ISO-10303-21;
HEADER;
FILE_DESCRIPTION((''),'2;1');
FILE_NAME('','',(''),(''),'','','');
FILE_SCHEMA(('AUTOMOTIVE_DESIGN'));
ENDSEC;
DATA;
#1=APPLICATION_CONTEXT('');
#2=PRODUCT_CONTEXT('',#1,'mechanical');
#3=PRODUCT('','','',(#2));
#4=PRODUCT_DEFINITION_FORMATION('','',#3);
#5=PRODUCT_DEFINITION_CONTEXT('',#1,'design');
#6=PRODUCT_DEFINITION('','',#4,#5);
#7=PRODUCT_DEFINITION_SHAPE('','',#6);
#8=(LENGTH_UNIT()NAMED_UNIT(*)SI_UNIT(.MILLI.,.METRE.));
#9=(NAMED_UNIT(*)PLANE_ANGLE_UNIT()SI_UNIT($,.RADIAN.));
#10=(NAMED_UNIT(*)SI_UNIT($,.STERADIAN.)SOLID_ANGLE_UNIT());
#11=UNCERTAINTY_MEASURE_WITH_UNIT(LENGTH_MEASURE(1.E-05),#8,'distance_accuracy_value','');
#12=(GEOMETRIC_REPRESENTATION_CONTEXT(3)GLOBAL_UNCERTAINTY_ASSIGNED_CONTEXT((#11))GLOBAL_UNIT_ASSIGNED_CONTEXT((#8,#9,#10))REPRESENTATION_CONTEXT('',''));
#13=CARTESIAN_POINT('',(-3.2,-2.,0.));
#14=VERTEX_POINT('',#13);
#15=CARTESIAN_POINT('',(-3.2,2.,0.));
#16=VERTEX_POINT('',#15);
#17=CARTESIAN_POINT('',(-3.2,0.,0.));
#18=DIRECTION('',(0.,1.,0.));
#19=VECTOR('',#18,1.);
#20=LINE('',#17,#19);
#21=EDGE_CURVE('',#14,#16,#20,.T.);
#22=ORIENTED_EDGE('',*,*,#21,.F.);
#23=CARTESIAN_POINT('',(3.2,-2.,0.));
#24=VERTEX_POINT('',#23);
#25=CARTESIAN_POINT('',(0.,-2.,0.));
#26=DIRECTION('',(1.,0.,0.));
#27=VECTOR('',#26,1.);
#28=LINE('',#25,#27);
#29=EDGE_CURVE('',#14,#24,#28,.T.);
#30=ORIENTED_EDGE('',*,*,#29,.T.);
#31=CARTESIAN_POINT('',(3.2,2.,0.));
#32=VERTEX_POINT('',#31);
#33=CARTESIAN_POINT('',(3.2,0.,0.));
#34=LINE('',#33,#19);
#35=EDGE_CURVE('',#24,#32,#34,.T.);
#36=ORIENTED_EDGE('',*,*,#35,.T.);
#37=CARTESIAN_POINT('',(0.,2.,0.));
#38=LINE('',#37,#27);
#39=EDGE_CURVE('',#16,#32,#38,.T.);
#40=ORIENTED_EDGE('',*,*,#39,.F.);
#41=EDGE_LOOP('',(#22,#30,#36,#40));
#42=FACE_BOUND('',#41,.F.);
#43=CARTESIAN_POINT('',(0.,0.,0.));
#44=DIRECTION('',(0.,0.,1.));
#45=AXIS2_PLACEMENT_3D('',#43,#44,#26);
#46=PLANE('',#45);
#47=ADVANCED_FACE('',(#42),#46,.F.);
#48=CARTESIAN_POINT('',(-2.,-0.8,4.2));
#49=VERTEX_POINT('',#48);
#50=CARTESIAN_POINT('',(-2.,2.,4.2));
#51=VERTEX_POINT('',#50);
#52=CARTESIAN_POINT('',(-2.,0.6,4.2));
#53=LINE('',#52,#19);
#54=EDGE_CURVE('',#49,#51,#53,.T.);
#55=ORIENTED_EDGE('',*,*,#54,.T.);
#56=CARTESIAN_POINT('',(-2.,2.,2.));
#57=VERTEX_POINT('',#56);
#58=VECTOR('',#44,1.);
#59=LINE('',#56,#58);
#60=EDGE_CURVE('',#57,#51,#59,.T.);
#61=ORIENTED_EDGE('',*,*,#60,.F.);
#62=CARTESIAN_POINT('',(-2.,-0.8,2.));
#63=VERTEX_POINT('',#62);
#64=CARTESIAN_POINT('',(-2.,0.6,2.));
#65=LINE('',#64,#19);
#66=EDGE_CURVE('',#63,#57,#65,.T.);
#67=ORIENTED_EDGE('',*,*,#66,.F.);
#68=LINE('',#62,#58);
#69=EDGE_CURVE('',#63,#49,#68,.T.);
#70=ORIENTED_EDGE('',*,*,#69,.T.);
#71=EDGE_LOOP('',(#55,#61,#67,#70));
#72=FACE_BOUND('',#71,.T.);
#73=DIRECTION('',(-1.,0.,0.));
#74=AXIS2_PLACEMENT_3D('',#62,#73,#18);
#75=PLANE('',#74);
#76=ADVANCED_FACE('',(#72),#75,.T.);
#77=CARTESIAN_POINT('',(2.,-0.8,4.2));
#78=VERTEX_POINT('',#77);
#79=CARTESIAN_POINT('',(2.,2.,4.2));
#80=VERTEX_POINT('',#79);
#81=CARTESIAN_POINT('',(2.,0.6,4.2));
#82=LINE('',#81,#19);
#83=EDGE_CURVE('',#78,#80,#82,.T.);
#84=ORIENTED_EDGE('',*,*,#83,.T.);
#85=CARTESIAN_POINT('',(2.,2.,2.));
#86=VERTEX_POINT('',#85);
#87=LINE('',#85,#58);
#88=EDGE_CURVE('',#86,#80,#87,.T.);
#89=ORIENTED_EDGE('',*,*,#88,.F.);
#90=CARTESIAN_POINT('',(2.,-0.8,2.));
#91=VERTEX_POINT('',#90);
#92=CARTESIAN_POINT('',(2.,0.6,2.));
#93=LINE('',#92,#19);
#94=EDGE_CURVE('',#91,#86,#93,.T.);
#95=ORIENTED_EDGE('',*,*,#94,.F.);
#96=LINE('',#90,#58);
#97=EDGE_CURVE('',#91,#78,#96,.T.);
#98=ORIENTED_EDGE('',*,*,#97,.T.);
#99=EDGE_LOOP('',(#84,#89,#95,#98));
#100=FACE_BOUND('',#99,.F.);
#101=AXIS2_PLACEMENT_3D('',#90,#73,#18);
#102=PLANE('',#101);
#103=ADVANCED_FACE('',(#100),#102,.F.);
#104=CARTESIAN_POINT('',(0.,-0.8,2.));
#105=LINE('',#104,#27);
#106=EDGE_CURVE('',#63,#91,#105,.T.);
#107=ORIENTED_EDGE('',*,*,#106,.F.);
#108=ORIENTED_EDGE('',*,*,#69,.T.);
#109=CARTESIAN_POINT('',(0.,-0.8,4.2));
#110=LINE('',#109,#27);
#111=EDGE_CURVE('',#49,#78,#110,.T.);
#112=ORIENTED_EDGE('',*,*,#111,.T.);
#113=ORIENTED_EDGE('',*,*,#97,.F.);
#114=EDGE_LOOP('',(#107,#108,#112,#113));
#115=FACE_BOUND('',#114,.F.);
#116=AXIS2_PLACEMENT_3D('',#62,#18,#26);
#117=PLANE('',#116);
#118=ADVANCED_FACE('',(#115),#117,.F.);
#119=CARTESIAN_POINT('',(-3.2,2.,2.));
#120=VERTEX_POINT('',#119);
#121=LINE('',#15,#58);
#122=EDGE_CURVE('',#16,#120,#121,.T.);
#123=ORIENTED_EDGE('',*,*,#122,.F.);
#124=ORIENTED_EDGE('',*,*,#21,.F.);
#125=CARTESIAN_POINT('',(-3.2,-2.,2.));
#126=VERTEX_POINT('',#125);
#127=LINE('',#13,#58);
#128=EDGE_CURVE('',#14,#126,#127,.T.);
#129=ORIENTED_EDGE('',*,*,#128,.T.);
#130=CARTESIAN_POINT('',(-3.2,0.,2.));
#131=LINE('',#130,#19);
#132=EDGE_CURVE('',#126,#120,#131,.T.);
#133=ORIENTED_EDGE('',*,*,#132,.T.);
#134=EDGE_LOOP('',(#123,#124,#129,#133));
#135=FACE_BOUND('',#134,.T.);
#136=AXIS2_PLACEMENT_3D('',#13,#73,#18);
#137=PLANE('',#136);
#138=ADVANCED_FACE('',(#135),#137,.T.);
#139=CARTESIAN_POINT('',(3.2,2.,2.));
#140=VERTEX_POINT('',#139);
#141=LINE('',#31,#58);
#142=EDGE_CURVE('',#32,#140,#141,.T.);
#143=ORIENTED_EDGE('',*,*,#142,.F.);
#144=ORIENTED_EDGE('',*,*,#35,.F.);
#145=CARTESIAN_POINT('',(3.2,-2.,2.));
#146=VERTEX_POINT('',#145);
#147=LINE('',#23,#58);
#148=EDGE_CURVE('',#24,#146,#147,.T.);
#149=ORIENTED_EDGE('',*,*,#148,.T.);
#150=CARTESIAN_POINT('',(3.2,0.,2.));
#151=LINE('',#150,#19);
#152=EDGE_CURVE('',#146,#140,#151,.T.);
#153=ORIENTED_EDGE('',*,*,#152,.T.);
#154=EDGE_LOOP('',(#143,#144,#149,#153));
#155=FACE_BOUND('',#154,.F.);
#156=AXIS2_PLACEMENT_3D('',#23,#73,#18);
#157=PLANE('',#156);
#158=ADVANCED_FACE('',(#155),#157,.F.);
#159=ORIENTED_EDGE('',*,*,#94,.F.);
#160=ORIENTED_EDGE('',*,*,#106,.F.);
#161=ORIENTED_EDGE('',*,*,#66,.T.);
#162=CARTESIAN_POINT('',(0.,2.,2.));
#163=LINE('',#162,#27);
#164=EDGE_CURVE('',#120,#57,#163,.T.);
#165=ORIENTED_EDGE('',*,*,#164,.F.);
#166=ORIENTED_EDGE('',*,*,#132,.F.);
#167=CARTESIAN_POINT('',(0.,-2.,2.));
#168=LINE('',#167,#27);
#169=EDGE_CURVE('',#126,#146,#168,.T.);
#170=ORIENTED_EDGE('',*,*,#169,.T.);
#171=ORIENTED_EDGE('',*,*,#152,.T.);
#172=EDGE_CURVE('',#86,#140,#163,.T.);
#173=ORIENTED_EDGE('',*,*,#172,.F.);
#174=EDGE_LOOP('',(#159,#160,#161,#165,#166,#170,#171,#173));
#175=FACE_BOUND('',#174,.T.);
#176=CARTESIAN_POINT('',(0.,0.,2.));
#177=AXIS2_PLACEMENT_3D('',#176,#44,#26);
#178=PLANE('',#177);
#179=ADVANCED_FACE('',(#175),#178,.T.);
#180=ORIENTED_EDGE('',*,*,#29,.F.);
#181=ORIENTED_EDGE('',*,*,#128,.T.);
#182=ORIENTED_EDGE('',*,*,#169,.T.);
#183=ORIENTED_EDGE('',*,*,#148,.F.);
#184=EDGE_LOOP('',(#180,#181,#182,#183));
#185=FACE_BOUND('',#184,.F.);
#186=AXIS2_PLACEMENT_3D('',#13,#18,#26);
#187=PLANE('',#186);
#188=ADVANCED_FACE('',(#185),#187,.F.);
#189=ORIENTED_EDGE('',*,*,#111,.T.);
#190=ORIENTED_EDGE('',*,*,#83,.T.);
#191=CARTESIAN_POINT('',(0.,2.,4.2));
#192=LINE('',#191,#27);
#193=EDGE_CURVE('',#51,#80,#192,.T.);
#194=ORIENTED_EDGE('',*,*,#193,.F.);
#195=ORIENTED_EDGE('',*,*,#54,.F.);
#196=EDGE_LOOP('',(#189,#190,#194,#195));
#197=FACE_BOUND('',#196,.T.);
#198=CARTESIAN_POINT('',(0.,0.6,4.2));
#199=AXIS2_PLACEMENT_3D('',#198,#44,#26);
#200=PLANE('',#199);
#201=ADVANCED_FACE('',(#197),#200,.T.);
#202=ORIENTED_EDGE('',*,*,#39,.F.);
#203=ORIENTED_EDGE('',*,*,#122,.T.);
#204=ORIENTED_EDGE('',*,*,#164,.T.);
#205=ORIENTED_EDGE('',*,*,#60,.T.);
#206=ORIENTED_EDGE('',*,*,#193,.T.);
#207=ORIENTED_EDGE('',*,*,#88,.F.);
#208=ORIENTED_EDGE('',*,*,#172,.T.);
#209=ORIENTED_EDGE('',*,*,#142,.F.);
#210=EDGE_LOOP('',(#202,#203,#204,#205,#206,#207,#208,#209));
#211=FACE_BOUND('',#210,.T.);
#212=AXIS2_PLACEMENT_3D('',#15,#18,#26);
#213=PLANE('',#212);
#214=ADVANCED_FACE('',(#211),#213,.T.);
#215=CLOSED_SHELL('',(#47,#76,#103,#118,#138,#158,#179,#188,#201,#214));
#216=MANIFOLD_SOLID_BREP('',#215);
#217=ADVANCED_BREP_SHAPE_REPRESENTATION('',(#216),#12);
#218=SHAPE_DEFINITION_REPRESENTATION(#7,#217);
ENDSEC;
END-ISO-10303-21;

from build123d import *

# Parameters (mm, degrees)
SKETCH_W     = 6.4
SKETCH_H     = 4
PAD_DEPTH    = 2
SKETCH001_W  = 4
SKETCH001_H  = 2.8
PAD001_DEPTH = 2.2


with BuildPart() as part:
    # Sketch → Pad (new body)
    with BuildSketch(Plane.XY):
        Rectangle(SKETCH_W, SKETCH_H)
    extrude(amount=PAD_DEPTH)

    # Sketch001 (on DatumPlane) → Pad001 (join)
    with BuildSketch(Plane.XY.offset(2)):
        with Locations((0, 0.6)):
            Rectangle(SKETCH001_W, SKETCH001_H)
    extrude(amount=PAD001_DEPTH)


solid = part.part
